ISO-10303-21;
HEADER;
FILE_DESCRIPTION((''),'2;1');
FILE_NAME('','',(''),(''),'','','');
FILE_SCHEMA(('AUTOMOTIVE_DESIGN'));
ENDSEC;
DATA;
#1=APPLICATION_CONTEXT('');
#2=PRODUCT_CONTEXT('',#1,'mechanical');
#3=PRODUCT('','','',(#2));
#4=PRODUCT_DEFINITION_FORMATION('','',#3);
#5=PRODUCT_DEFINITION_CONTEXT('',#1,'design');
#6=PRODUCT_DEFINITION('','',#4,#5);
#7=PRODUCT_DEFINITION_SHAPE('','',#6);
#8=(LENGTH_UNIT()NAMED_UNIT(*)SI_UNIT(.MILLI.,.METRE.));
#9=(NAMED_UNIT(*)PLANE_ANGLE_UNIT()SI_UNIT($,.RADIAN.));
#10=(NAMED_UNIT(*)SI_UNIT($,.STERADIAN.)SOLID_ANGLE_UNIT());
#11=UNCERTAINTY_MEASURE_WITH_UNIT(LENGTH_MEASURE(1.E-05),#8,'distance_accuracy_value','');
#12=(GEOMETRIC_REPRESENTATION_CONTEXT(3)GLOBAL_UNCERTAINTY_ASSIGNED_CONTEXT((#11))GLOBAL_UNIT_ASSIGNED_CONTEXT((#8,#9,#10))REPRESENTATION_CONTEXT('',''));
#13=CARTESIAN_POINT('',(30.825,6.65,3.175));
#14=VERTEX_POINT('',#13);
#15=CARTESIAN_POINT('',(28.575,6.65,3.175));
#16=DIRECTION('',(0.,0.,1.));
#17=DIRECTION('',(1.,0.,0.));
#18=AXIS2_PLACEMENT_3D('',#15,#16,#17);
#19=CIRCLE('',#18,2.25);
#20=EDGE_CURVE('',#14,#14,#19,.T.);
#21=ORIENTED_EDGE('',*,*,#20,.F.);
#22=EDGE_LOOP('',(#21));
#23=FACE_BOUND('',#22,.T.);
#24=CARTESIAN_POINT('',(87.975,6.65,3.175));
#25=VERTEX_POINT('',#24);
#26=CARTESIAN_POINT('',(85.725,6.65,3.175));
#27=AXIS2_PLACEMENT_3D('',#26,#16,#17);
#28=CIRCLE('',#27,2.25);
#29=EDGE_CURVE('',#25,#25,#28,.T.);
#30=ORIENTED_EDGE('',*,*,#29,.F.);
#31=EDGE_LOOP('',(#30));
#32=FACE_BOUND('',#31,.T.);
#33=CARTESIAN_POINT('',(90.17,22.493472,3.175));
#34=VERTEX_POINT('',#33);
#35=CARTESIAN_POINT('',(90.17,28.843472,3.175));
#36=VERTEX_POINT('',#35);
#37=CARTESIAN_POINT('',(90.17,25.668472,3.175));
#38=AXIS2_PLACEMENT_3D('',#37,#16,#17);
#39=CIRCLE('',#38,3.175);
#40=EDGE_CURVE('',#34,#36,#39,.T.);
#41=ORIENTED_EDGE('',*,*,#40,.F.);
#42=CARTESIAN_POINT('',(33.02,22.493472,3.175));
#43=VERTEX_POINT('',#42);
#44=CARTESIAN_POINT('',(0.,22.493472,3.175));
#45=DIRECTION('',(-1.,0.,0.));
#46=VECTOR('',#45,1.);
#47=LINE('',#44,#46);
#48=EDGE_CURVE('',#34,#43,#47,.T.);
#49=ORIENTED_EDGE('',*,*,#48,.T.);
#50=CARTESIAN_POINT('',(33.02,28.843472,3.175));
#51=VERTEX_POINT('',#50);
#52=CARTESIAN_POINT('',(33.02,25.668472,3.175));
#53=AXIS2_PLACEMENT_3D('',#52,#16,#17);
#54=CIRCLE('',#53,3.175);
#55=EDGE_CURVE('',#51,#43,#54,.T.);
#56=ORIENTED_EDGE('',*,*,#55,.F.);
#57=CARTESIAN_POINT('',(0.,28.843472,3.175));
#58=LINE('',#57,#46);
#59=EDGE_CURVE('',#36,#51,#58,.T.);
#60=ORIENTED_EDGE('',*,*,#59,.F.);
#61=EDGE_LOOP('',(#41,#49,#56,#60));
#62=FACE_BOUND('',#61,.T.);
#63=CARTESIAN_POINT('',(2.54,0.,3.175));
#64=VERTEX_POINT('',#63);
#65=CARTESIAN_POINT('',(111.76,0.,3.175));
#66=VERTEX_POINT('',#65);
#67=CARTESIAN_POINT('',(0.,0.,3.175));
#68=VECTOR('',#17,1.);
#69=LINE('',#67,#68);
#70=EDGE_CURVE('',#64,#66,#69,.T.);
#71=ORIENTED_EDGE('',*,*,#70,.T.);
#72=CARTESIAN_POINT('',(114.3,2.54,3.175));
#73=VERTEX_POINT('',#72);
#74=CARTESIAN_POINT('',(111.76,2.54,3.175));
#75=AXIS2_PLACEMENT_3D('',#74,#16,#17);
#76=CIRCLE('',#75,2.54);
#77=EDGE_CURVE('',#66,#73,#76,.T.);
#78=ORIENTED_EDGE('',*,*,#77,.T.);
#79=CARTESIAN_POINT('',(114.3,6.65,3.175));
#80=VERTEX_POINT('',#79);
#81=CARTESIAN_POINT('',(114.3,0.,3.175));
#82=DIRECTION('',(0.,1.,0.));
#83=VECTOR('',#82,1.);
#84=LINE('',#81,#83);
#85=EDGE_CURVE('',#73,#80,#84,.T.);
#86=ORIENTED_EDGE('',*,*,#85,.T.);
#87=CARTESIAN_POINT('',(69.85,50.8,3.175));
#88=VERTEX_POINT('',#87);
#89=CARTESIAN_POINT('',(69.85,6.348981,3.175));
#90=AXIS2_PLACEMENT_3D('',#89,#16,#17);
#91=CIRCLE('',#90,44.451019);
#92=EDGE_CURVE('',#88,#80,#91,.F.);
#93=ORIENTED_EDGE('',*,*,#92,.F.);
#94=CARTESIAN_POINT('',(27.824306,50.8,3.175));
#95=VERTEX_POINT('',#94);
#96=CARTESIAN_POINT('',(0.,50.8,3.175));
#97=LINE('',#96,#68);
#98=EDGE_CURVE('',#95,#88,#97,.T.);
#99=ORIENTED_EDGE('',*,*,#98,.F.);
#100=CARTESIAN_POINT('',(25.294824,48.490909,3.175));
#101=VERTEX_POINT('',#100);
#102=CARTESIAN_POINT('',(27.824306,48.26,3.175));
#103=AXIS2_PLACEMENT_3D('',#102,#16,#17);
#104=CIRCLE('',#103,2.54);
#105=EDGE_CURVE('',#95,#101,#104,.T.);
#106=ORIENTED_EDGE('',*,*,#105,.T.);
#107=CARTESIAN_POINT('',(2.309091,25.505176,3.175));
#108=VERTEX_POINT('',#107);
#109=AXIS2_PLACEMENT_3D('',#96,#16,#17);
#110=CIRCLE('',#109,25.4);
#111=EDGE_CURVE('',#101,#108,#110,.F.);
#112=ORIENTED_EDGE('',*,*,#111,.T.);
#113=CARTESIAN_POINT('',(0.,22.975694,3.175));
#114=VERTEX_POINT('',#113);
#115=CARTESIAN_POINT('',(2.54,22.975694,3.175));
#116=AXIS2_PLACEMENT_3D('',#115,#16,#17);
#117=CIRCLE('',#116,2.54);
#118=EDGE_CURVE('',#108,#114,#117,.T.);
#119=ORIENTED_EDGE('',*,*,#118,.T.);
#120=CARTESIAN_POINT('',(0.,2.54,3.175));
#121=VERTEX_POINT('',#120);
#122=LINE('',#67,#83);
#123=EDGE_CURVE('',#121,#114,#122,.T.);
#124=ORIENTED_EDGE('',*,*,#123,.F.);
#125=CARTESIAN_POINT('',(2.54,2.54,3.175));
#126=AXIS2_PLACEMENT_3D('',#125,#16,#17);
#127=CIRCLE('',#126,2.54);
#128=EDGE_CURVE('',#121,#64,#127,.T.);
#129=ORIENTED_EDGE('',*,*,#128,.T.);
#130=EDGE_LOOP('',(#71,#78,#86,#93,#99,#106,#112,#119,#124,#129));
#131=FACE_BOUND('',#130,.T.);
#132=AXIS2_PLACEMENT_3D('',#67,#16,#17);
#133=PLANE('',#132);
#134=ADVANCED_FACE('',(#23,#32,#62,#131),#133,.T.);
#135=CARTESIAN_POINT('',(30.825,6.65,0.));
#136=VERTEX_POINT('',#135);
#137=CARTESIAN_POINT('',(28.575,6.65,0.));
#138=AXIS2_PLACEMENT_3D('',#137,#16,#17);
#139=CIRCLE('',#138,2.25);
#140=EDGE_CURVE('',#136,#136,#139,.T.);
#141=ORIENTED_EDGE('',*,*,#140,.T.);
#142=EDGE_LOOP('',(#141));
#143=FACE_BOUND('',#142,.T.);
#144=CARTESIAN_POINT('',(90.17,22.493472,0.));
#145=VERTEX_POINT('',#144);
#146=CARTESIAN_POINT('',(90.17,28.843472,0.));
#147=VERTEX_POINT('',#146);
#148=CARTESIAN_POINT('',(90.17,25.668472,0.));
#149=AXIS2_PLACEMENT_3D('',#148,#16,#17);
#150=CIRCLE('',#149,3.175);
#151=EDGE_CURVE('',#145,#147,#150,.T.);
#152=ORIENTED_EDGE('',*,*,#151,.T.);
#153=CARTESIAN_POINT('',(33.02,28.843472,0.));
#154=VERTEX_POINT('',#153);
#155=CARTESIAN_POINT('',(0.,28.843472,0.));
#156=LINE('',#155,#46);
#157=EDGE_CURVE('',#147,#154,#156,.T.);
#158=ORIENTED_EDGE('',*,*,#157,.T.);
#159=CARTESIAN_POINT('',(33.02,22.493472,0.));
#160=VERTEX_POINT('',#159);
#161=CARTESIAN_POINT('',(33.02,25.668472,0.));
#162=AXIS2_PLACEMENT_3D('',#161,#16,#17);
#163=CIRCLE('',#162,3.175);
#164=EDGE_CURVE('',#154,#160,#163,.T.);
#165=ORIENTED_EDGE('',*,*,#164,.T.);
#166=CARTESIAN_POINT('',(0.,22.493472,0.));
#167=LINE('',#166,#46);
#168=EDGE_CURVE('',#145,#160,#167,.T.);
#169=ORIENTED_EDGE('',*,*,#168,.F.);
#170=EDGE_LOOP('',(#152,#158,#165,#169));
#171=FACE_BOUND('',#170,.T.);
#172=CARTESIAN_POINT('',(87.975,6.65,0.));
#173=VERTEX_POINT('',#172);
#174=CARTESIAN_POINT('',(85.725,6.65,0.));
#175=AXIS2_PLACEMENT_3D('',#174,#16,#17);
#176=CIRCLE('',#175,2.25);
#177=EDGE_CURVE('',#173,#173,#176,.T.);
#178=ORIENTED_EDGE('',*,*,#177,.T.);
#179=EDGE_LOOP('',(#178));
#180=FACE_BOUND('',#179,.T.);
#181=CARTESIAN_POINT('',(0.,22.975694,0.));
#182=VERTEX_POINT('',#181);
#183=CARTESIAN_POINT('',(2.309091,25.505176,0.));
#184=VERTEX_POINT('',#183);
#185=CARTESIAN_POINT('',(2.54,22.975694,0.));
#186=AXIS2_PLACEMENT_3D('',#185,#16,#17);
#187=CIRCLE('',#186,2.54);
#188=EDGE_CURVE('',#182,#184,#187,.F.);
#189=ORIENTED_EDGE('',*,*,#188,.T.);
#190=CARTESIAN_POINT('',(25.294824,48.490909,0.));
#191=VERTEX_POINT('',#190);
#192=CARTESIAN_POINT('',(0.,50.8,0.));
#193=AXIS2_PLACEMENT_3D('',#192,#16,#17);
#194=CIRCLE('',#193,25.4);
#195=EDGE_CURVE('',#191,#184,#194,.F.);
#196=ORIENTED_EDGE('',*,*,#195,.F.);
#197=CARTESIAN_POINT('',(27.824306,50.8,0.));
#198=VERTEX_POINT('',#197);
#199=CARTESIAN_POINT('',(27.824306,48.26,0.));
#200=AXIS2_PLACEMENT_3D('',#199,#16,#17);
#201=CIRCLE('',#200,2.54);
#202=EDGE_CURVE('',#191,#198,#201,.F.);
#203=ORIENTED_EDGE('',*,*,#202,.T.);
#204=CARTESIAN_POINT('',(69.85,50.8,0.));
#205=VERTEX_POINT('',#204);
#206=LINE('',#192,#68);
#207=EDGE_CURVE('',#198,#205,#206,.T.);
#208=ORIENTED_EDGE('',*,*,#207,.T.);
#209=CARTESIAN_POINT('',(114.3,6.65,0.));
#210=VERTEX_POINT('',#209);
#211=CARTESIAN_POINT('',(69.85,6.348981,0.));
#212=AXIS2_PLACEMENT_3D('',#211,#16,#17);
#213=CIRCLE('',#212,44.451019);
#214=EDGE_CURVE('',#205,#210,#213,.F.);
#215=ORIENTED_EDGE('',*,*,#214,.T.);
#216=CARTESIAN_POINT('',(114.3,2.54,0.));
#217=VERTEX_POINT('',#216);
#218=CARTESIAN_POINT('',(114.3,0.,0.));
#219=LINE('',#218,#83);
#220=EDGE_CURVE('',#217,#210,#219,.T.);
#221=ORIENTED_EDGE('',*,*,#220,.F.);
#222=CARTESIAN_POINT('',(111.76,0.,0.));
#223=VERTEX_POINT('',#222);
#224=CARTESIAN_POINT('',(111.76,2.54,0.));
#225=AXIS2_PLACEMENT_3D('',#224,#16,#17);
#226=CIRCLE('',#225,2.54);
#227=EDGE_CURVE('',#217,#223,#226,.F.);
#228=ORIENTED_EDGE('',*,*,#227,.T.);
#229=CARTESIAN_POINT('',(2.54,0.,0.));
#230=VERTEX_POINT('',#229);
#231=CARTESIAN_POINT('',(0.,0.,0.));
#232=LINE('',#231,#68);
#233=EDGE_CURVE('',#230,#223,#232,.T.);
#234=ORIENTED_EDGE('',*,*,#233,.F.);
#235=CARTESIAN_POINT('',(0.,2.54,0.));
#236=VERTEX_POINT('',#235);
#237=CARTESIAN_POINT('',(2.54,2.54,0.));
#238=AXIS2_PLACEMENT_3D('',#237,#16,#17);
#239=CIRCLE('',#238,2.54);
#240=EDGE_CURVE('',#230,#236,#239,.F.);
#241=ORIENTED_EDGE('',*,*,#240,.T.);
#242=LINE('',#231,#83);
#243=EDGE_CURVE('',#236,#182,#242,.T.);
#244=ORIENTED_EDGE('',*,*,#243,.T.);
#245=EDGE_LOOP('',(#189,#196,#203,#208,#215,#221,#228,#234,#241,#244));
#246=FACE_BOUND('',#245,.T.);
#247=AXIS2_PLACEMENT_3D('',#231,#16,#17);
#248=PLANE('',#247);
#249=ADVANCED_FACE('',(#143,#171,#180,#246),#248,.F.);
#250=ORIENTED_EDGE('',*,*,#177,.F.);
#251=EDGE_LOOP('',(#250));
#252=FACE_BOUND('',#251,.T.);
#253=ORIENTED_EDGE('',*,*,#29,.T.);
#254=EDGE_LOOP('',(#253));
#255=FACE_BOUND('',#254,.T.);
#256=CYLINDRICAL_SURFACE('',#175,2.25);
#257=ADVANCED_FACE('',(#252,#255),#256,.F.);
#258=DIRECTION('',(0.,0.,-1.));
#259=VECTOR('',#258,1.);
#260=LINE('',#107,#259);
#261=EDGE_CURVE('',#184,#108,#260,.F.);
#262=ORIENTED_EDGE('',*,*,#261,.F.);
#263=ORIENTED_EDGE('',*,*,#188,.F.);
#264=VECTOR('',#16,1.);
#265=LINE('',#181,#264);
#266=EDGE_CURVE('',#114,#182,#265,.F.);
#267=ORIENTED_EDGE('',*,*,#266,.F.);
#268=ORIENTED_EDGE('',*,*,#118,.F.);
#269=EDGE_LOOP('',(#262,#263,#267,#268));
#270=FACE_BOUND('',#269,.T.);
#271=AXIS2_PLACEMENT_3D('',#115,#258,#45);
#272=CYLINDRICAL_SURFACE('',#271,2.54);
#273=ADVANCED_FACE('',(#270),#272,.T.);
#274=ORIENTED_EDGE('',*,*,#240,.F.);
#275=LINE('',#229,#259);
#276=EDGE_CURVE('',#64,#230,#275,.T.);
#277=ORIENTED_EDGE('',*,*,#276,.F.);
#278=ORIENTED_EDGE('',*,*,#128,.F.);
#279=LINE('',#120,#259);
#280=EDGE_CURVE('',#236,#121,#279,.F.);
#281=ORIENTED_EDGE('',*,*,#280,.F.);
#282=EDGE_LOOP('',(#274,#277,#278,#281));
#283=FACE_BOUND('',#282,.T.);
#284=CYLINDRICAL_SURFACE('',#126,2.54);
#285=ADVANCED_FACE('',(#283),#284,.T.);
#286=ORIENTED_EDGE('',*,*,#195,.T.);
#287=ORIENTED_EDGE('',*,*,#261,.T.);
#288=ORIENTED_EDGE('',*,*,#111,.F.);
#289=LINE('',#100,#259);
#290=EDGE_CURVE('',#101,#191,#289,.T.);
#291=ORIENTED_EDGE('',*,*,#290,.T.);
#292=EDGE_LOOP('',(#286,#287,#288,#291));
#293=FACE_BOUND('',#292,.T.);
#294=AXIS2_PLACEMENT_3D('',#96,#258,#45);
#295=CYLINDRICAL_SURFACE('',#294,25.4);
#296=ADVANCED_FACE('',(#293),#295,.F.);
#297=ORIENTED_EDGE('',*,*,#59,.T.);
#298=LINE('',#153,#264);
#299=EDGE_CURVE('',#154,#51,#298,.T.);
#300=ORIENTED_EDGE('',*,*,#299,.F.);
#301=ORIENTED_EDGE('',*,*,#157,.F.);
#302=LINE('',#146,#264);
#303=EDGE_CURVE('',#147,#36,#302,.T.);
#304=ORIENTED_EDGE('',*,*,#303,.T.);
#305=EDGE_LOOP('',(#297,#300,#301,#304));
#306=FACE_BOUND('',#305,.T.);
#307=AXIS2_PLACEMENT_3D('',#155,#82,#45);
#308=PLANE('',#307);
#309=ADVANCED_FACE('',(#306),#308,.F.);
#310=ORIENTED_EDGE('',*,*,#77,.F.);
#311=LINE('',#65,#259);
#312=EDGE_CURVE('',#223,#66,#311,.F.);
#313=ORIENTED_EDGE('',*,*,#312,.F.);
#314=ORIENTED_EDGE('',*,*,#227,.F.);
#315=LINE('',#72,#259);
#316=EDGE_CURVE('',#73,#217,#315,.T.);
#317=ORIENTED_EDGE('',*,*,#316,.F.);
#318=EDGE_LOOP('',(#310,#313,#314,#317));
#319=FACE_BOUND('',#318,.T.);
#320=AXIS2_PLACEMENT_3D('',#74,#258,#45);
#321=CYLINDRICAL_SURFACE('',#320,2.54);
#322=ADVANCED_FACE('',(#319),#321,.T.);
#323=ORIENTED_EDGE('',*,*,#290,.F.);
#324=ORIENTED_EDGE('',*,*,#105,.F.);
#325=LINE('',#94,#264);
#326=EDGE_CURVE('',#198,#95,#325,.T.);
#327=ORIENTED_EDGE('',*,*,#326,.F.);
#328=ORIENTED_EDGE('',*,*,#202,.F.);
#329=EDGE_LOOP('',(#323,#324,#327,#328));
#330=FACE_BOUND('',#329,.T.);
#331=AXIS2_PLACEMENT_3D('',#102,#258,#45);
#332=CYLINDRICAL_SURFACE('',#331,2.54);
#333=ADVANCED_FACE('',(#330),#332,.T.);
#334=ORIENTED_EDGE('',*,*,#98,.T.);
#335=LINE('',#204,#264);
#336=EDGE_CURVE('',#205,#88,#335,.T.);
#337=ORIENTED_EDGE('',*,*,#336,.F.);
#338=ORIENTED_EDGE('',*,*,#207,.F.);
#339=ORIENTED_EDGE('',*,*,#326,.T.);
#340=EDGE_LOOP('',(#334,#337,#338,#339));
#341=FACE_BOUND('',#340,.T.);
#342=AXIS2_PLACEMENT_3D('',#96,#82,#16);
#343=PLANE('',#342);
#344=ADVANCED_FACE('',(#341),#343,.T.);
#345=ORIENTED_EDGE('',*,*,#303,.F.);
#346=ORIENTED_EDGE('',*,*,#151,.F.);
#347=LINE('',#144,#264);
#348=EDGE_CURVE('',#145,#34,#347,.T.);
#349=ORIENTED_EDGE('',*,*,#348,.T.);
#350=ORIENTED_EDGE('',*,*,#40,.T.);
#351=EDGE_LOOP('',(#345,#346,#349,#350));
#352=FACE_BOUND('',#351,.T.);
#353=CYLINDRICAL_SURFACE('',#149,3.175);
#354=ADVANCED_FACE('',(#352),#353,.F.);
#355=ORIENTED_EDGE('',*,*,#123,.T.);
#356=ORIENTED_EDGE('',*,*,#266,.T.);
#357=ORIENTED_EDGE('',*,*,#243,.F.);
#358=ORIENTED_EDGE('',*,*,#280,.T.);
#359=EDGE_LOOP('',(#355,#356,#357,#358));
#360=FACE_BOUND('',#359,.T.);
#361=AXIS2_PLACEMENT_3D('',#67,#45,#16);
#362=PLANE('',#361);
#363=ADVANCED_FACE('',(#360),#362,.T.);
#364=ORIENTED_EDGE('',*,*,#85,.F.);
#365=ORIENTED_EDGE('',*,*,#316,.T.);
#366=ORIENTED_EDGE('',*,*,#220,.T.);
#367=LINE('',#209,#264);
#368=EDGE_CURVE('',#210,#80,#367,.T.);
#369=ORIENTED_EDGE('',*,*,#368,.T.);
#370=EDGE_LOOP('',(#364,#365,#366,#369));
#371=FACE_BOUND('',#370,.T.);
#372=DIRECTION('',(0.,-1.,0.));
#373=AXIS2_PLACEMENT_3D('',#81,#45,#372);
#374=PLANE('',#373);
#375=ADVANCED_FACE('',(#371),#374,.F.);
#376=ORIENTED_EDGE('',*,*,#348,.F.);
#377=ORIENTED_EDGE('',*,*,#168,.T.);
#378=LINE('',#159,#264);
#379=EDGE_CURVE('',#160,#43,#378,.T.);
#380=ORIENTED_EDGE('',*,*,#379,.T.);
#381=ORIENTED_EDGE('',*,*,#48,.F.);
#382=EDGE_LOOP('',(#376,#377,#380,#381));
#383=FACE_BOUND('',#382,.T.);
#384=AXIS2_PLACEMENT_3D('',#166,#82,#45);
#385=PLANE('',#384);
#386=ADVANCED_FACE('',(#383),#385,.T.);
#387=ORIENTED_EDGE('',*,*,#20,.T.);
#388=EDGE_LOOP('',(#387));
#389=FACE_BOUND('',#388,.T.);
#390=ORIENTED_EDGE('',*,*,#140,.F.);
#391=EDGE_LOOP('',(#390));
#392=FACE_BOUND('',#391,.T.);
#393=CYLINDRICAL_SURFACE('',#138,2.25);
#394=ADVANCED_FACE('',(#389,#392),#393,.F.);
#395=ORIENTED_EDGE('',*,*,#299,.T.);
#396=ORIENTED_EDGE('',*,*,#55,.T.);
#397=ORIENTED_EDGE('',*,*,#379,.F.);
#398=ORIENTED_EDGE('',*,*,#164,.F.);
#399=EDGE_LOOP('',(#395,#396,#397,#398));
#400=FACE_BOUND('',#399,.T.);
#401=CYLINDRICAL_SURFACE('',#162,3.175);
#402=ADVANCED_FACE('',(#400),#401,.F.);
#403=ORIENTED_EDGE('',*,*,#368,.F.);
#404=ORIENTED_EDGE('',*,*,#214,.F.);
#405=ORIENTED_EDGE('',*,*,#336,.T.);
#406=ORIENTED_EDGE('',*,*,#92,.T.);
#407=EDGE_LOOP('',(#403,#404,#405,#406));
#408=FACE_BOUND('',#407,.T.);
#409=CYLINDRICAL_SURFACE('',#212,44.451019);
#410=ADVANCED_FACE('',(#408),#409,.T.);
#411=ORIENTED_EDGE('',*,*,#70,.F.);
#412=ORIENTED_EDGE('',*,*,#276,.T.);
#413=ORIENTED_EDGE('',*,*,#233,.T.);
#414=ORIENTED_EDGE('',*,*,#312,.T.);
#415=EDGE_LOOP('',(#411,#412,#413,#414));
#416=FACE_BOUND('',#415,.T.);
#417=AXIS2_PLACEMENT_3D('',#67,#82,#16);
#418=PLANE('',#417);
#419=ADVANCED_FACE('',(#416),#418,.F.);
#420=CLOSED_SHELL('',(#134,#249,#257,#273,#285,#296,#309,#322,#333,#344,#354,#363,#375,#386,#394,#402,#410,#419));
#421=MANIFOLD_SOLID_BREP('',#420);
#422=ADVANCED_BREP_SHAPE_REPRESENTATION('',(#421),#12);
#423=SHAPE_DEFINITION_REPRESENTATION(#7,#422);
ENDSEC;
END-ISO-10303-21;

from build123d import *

# Parameters (mm, degrees)
BOSS_EXTRUDE1_DEPTH = 3.175
SKETCH2_R           = 2.25
CUT_EXTRUDE1_DEPTH  = 126.120784145
FILLET1_R           = 2.54


with BuildPart() as part:
    # Sketch1 → Boss-Extrude1 (new body)
    with BuildSketch(Plane.XY):
        with BuildLine():
            Line((0, 25.4), (0, 0))
            Line((0, 0), (114.3, 0))
            Line((114.3, 0), (114.3, 50.8))
            Line((114.3, 50.8), (25.4, 50.8))
            ThreePointArc((25.4, 50.8), (17.960512242, 32.839487758), (0, 25.4))
        make_face()
    extrude(amount=BOSS_EXTRUDE1_DEPTH)

    # Sketch2 → Cut-Extrude1 (cut, through all)
    with BuildSketch(Plane.XY.offset(3.175)):
        with BuildLine():
            Line((114.3, 50.8), (69.85, 50.8))
            ThreePointArc((69.85, 50.8), (101.175009976, 37.886844698), (114.3, 6.65))
            Line((114.3, 6.65), (114.3, 50.8))
        make_face()
        with Locations((85.725, 6.65)):
            Circle(SKETCH2_R)
        with BuildLine():
            Line((90.17, 28.843472461), (33.02, 28.843472461))
            ThreePointArc((33.02, 28.843472461), (29.845, 25.668472461), (33.02, 22.493472461))
            Line((33.02, 22.493472461), (90.17, 22.493472461))
            ThreePointArc((90.17, 22.493472461), (93.345, 25.668472461), (90.17, 28.843472461))
        make_face()
        with Locations((28.575, 6.65)):
            Circle(SKETCH2_R)
    extrude(amount=-CUT_EXTRUDE1_DEPTH, mode=Mode.SUBTRACT)

    # Fillet1
    fillet1_edges = [part.edges().sort_by_distance(p)[0] for p in [
        (114.3, 0, 1.5875),
        (0, 0, 1.5875),
        (0, 25.4, 1.5875),
        (25.4, 50.8, 1.5875),
    ]]
    fillet(fillet1_edges, radius=FILLET1_R)


solid = part.part
